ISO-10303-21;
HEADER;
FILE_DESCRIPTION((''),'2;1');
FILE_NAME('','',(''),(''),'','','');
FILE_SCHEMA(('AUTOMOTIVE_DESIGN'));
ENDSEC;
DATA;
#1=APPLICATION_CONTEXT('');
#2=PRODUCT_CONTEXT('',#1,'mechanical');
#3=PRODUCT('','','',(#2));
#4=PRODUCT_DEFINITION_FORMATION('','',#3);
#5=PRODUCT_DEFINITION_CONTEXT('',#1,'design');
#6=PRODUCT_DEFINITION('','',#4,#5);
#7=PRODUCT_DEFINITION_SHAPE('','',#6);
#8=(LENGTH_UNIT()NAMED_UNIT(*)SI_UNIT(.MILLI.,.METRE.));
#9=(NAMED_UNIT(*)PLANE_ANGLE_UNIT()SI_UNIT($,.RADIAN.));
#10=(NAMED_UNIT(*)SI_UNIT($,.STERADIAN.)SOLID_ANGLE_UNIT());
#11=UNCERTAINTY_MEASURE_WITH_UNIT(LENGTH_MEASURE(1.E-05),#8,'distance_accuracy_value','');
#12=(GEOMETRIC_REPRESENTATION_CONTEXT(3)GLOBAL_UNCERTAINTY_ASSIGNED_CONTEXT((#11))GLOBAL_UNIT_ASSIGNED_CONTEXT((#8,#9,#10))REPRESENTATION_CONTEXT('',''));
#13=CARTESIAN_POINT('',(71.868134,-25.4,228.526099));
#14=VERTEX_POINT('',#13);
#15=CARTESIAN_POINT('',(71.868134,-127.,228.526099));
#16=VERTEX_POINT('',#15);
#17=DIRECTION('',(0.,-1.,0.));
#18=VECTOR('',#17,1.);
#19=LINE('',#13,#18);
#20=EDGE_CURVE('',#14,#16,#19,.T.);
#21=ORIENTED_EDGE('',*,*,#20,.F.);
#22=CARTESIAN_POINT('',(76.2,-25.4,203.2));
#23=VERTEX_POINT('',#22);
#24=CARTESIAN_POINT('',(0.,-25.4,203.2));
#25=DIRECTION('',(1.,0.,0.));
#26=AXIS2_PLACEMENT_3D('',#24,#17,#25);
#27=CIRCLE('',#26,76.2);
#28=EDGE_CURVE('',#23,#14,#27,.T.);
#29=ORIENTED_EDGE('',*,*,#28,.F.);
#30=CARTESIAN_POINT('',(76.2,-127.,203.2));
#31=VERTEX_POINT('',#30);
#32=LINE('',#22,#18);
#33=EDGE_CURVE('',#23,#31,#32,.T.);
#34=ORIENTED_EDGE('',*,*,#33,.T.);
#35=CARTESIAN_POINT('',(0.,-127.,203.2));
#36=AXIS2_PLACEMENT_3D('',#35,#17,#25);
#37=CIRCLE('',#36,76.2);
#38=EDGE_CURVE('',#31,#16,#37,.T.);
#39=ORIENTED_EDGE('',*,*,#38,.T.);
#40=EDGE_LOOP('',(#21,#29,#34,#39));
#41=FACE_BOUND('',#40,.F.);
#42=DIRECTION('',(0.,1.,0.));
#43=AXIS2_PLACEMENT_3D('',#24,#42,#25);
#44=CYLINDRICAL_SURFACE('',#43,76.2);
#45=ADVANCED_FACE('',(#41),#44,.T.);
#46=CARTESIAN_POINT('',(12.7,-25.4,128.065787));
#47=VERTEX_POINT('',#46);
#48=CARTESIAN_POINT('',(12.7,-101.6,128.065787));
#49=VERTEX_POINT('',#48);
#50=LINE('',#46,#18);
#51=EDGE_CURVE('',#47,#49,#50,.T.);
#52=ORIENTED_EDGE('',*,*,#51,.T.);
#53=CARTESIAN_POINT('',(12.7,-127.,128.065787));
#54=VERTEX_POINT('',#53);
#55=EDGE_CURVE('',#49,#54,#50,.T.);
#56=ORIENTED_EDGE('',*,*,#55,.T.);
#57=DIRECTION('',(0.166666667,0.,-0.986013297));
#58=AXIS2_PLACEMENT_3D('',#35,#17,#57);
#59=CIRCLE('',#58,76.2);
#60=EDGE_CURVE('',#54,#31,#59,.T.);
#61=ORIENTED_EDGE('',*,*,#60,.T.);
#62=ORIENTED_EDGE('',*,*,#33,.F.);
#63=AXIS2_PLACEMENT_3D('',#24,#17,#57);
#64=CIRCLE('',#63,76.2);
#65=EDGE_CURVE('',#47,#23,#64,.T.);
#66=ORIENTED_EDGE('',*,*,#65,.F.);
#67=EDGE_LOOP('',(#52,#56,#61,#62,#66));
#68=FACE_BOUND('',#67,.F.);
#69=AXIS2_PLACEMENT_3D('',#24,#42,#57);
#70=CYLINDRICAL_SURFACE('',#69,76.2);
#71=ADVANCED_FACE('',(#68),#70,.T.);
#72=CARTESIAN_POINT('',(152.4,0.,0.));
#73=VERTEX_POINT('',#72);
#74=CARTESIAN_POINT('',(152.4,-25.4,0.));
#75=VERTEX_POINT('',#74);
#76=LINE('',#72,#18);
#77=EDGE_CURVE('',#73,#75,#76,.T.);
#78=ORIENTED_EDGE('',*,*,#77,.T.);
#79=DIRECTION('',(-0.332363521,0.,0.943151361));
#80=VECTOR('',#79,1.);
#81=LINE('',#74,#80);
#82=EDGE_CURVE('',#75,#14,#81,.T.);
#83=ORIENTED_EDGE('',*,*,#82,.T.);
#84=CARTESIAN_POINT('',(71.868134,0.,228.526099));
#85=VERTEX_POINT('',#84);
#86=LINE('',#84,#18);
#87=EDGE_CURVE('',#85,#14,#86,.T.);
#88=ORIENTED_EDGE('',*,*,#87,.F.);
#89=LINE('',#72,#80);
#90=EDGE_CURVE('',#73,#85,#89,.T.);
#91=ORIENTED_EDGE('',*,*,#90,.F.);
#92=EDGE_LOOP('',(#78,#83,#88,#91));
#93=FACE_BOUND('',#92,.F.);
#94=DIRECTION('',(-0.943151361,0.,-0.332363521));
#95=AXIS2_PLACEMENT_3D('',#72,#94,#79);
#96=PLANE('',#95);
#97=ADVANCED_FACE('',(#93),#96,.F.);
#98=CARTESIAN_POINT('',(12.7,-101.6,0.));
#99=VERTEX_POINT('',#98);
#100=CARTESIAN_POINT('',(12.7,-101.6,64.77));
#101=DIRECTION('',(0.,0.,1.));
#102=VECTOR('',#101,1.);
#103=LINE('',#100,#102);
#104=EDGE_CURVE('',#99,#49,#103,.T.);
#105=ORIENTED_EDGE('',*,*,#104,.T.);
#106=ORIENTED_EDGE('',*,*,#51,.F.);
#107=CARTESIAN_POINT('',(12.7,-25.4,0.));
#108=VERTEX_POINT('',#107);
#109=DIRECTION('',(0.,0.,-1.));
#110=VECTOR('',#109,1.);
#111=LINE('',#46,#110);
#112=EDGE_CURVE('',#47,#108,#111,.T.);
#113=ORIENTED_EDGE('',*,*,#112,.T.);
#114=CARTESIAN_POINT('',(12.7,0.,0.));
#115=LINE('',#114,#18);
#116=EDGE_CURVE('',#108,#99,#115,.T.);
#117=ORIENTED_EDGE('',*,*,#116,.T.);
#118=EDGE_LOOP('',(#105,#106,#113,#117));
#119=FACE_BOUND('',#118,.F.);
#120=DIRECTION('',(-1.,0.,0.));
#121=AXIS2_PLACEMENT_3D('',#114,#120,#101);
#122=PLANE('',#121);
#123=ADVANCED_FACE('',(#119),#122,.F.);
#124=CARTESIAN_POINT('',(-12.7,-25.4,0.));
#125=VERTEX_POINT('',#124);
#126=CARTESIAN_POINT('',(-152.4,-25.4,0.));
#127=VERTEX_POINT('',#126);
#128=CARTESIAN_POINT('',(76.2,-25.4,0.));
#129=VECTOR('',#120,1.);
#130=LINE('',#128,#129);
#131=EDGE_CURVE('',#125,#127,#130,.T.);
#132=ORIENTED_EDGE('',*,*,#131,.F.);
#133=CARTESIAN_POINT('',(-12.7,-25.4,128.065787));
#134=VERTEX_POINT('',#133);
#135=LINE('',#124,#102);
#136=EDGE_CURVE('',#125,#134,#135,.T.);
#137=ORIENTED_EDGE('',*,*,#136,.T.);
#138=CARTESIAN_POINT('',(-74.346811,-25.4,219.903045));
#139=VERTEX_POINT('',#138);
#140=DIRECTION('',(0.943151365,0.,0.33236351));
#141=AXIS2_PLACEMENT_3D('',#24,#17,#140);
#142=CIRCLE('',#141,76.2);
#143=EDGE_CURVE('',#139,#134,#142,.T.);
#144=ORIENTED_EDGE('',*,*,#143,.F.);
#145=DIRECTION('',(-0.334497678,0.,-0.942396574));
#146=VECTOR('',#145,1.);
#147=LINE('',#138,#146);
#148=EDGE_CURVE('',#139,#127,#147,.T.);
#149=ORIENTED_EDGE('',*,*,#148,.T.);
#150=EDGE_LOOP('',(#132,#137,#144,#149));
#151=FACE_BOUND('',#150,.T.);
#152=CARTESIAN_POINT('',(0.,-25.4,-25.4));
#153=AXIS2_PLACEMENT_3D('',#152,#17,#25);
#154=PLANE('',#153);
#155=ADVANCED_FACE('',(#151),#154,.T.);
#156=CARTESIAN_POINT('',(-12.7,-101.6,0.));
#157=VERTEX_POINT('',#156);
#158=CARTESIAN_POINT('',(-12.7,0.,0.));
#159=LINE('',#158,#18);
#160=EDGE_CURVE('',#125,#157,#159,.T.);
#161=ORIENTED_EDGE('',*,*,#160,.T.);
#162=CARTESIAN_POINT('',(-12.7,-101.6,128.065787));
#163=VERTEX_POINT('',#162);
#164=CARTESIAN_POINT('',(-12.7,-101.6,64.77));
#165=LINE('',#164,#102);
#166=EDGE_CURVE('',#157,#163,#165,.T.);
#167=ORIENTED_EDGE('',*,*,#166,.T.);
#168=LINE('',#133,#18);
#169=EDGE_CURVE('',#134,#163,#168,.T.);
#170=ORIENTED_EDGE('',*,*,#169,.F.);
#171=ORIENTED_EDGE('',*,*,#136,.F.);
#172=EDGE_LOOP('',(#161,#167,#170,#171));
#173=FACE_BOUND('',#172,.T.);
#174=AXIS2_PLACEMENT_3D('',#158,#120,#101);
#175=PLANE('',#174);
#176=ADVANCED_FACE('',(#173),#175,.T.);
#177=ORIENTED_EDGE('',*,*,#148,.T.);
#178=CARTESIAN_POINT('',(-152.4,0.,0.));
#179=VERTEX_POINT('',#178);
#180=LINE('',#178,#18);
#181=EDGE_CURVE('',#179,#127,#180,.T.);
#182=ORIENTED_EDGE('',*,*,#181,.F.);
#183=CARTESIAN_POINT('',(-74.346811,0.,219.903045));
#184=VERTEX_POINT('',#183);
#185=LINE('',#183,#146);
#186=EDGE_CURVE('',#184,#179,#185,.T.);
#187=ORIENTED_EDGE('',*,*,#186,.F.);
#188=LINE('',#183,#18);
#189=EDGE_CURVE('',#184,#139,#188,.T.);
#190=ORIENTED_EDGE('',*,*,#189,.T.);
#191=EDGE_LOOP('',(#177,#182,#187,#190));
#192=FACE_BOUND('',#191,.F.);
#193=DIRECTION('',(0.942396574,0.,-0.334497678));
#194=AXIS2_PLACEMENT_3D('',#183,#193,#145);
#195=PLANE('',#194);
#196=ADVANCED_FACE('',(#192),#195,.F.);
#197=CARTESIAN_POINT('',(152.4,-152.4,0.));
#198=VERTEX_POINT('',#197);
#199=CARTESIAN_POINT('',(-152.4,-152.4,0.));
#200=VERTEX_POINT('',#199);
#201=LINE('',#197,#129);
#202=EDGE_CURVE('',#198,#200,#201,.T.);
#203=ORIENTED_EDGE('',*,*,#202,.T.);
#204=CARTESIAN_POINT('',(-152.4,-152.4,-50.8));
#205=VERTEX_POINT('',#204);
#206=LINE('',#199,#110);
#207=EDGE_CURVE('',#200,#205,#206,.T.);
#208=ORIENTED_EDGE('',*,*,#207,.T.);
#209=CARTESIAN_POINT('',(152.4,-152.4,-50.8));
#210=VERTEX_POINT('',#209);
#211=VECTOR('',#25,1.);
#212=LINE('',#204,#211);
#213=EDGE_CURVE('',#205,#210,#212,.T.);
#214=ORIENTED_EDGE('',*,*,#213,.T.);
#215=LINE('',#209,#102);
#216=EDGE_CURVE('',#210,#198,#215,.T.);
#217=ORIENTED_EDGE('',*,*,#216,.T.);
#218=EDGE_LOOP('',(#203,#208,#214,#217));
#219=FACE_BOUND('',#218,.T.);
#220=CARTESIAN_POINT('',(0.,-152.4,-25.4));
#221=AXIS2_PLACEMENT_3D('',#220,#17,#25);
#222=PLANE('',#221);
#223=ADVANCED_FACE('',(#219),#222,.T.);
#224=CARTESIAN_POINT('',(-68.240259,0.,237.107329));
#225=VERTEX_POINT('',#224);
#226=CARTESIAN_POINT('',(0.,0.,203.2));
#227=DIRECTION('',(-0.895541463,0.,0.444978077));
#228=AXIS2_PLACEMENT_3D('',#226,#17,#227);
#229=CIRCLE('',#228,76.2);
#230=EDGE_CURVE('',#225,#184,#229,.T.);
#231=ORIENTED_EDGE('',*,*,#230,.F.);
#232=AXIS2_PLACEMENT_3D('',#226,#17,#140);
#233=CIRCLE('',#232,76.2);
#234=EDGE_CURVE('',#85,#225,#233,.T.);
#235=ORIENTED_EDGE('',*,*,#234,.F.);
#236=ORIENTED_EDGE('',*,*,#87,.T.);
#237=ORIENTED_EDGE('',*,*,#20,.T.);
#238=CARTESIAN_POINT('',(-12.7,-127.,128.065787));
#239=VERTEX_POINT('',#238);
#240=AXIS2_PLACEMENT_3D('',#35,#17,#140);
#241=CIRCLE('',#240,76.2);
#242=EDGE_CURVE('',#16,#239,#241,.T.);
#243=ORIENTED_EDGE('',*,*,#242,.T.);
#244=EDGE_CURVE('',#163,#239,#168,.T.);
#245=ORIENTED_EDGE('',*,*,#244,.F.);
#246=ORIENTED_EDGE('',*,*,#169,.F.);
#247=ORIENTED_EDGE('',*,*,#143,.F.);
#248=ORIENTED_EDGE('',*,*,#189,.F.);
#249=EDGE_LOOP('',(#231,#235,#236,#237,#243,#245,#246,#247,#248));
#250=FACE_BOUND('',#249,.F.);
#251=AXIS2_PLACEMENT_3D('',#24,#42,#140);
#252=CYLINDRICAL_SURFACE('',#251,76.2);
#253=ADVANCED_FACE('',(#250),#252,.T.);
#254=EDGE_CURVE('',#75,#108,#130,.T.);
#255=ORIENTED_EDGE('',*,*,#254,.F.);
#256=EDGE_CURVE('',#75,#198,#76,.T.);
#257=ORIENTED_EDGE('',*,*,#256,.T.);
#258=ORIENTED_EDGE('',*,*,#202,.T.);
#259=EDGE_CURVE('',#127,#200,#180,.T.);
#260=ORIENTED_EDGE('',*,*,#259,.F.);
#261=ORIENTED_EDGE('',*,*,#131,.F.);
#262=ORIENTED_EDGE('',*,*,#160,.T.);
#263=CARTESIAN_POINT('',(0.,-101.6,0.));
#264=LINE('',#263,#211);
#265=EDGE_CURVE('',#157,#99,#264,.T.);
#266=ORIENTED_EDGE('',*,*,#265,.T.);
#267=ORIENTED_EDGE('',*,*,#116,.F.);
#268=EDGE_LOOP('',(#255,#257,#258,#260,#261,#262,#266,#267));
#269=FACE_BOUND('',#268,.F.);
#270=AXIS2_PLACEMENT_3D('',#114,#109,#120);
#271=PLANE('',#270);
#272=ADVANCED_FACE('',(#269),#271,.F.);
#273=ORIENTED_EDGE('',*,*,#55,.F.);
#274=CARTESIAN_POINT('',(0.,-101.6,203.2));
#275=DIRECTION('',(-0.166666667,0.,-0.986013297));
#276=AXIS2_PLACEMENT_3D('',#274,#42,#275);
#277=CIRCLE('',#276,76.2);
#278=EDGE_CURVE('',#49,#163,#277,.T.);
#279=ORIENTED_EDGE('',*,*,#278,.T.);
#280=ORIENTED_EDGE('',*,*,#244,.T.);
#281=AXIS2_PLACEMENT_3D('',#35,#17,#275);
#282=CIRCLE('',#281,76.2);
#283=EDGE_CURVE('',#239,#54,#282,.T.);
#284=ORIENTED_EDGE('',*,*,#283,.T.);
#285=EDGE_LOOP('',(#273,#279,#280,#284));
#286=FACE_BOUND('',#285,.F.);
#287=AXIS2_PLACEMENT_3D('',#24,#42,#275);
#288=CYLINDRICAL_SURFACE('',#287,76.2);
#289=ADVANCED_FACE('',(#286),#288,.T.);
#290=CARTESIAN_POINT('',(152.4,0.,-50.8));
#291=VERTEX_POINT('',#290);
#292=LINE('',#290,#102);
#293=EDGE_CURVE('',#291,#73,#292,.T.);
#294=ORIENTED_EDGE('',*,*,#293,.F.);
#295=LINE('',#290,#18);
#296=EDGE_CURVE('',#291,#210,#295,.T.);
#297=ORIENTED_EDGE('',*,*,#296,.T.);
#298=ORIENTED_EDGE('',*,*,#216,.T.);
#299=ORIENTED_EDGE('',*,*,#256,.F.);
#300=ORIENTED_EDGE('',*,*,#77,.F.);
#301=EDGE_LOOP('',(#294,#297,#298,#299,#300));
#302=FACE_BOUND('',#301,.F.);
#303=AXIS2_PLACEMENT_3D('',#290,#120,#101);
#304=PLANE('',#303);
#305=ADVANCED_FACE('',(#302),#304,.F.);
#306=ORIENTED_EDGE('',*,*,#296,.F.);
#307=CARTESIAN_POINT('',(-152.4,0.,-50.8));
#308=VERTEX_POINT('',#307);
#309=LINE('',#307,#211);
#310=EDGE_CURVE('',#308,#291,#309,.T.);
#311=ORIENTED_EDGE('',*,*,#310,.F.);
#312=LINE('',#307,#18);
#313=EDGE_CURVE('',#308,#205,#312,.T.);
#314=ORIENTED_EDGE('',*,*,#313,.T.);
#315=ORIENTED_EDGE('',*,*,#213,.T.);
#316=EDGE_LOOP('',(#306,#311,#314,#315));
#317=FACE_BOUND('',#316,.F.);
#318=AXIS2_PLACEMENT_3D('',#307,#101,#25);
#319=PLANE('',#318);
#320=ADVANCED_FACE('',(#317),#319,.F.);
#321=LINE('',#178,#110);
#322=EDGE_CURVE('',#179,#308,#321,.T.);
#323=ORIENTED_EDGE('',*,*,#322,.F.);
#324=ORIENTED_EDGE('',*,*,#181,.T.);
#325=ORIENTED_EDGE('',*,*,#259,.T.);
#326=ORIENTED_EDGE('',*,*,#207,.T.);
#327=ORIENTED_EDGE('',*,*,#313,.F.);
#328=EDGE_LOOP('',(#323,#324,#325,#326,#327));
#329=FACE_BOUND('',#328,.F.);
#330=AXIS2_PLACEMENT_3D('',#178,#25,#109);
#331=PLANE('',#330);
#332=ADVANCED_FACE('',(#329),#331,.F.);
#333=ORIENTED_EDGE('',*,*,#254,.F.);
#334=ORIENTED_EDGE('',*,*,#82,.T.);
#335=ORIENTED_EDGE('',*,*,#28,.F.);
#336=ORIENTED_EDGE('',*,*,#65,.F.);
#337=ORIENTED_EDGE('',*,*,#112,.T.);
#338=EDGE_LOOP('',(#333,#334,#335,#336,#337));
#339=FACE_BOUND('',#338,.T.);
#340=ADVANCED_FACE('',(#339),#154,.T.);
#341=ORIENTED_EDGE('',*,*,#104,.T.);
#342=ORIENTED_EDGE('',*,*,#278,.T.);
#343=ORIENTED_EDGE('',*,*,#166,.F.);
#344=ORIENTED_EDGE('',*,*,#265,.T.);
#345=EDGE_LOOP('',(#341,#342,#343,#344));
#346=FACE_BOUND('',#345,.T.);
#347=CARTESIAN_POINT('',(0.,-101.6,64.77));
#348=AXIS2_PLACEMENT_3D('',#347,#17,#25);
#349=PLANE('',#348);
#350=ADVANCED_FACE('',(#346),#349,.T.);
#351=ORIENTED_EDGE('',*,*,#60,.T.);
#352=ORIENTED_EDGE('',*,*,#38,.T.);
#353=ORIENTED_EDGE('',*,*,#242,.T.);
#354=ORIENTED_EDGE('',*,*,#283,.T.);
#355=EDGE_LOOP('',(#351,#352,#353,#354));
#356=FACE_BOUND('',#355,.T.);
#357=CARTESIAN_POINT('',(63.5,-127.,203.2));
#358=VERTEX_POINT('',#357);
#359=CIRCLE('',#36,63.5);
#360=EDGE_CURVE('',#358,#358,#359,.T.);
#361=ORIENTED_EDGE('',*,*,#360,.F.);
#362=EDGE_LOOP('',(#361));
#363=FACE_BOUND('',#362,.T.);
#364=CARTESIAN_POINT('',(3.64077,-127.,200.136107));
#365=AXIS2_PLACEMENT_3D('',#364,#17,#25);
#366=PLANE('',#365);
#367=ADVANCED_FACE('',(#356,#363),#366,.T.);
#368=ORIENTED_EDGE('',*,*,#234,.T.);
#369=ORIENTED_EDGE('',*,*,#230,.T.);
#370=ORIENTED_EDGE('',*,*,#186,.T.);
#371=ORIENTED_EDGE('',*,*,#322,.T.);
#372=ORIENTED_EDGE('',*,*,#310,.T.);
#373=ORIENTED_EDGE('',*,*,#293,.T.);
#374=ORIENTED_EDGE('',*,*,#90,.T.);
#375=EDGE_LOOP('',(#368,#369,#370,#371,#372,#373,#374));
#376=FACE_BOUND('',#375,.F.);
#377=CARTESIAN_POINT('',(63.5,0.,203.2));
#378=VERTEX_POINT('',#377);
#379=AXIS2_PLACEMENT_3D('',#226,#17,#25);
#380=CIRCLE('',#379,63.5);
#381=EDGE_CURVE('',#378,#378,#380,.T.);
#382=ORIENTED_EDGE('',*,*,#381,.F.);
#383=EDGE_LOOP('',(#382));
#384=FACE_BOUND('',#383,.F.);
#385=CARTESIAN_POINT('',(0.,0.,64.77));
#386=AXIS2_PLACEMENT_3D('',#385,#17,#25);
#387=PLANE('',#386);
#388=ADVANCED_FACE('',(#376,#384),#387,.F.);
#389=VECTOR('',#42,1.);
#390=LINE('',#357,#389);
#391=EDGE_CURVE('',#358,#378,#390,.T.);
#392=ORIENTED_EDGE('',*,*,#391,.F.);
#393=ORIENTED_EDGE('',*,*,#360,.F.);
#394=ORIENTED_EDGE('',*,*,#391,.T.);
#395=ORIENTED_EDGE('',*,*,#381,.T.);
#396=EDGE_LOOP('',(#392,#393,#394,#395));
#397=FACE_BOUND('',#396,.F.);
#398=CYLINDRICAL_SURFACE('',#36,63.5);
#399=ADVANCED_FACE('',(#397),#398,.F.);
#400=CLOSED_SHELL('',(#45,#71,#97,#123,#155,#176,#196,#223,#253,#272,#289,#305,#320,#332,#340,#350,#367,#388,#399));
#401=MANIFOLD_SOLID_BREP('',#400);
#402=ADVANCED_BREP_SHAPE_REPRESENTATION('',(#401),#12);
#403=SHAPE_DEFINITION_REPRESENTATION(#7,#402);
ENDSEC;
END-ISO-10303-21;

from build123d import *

# Parameters (mm, degrees)
F1_DEPTH = 152.4
F2_DEPTH = 25.4
F4_DEPTH = 101.6
F5_W     = 25.4
F5_H     = 129.54
F6_DEPTH = 101.6
F7_R     = 63.5
F8_DEPTH = 127.001


with BuildPart() as f1:
    # F0 (on Front) → F1 (new body)
    with BuildSketch(Plane.XZ):
        Polygon((-152.4, 0), (-152.4, -50.8), (152.4, -50.8), (152.4, 0), (12.7, 0), (-12.7, 0), align=None)
    extrude(amount=F1_DEPTH)

    # F0 (on Front) → F2 (join)
    with BuildSketch(Plane.XZ):
        Polygon((-152.4, 0), (-152.4, -50.8), (152.4, -50.8), (152.4, 0), (12.7, 0), (-12.7, 0), align=None)
        with BuildLine():
            Line((-74.3468107782, 219.9030454442), (-152.4, 0))
            Line((-152.4, 0), (-12.7, 0))
            Line((-12.7, 0), (-12.7, 128.0657867546))
            ThreePointArc((-12.7, 128.0657867546), (-63.2677432628, 160.7308033696), (-74.3468107782, 219.9030454442))
        make_face()
        with BuildLine():
            Line((12.7, 0), (152.4, 0))
            Line((152.4, 0), (71.8681340167, 228.5260994423))
            ThreePointArc((71.8681340167, 228.5260994423), (75.109226504, 216.0469488193), (76.2, 203.2))
            ThreePointArc((76.2, 203.2), (58.1987113259, 154.0131115032), (12.7, 128.0657867546))
            Line((12.7, 128.0657867546), (12.7, 0))
        make_face()
        with BuildLine():
            Line((-68.2402594432, 237.1073294603), (-74.3468107782, 219.9030454442))
            ThreePointArc((-74.3468107782, 219.9030454442), (-63.2677432628, 160.7308033696), (-12.7, 128.0657867546))
            ThreePointArc((-12.7, 128.0657867546), (0, 127), (12.7, 128.0657867546))
            ThreePointArc((12.7, 128.0657867546), (58.1987113259, 154.0131115032), (76.2, 203.2))
            ThreePointArc((76.2, 203.2), (75.109226504, 216.0469488193), (71.8681340167, 228.5260994423))
            ThreePointArc((71.8681340167, 228.5260994423), (4.6582985773, 279.257479937), (-68.2402594432, 237.1073294603))
        make_face()
        with BuildLine():
            ThreePointArc((-68.2402594432, 237.1073294603), (-71.810618962, 228.6887230809), (-74.3468107782, 219.9030454442))
            Line((-74.3468107782, 219.9030454442), (-68.2402594432, 237.1073294603))
        make_face()
    extrude(amount=F2_DEPTH)

    # F3 (on face) → F4 (join)
    with BuildSketch(Plane.XZ.offset(25.4)):
        with BuildLine():
            ThreePointArc((12.7, 128.0657867546), (58.1987113259, 154.0131115032), (76.2, 203.2))
            ThreePointArc((76.2, 203.2), (75.109226504, 216.0469488193), (71.8681340167, 228.5260994423))
            ThreePointArc((71.8681340167, 228.5260994423), (-4.4861146536, 279.2678300947), (-74.3468107782, 219.9030454442))
            ThreePointArc((-74.3468107782, 219.9030454442), (-63.2677432628, 160.7308033696), (-12.7, 128.0657867546))
            ThreePointArc((-12.7, 128.0657867546), (0, 127), (12.7, 128.0657867546))
        make_face()
    extrude(amount=F4_DEPTH)

    # F5 (on Front) → F6 (join)
    with BuildSketch(Plane.XZ):
        with Locations((0, 64.77)):
            Rectangle(F5_W, F5_H)
    extrude(amount=F6_DEPTH)

    # F7 (on face) → F8 (cut, through all)
    with BuildSketch(Plane.XZ.offset(127)):
        with Locations((0, 203.2)):
            Circle(F7_R)
    extrude(amount=-F8_DEPTH, mode=Mode.SUBTRACT)


solid = f1.part
